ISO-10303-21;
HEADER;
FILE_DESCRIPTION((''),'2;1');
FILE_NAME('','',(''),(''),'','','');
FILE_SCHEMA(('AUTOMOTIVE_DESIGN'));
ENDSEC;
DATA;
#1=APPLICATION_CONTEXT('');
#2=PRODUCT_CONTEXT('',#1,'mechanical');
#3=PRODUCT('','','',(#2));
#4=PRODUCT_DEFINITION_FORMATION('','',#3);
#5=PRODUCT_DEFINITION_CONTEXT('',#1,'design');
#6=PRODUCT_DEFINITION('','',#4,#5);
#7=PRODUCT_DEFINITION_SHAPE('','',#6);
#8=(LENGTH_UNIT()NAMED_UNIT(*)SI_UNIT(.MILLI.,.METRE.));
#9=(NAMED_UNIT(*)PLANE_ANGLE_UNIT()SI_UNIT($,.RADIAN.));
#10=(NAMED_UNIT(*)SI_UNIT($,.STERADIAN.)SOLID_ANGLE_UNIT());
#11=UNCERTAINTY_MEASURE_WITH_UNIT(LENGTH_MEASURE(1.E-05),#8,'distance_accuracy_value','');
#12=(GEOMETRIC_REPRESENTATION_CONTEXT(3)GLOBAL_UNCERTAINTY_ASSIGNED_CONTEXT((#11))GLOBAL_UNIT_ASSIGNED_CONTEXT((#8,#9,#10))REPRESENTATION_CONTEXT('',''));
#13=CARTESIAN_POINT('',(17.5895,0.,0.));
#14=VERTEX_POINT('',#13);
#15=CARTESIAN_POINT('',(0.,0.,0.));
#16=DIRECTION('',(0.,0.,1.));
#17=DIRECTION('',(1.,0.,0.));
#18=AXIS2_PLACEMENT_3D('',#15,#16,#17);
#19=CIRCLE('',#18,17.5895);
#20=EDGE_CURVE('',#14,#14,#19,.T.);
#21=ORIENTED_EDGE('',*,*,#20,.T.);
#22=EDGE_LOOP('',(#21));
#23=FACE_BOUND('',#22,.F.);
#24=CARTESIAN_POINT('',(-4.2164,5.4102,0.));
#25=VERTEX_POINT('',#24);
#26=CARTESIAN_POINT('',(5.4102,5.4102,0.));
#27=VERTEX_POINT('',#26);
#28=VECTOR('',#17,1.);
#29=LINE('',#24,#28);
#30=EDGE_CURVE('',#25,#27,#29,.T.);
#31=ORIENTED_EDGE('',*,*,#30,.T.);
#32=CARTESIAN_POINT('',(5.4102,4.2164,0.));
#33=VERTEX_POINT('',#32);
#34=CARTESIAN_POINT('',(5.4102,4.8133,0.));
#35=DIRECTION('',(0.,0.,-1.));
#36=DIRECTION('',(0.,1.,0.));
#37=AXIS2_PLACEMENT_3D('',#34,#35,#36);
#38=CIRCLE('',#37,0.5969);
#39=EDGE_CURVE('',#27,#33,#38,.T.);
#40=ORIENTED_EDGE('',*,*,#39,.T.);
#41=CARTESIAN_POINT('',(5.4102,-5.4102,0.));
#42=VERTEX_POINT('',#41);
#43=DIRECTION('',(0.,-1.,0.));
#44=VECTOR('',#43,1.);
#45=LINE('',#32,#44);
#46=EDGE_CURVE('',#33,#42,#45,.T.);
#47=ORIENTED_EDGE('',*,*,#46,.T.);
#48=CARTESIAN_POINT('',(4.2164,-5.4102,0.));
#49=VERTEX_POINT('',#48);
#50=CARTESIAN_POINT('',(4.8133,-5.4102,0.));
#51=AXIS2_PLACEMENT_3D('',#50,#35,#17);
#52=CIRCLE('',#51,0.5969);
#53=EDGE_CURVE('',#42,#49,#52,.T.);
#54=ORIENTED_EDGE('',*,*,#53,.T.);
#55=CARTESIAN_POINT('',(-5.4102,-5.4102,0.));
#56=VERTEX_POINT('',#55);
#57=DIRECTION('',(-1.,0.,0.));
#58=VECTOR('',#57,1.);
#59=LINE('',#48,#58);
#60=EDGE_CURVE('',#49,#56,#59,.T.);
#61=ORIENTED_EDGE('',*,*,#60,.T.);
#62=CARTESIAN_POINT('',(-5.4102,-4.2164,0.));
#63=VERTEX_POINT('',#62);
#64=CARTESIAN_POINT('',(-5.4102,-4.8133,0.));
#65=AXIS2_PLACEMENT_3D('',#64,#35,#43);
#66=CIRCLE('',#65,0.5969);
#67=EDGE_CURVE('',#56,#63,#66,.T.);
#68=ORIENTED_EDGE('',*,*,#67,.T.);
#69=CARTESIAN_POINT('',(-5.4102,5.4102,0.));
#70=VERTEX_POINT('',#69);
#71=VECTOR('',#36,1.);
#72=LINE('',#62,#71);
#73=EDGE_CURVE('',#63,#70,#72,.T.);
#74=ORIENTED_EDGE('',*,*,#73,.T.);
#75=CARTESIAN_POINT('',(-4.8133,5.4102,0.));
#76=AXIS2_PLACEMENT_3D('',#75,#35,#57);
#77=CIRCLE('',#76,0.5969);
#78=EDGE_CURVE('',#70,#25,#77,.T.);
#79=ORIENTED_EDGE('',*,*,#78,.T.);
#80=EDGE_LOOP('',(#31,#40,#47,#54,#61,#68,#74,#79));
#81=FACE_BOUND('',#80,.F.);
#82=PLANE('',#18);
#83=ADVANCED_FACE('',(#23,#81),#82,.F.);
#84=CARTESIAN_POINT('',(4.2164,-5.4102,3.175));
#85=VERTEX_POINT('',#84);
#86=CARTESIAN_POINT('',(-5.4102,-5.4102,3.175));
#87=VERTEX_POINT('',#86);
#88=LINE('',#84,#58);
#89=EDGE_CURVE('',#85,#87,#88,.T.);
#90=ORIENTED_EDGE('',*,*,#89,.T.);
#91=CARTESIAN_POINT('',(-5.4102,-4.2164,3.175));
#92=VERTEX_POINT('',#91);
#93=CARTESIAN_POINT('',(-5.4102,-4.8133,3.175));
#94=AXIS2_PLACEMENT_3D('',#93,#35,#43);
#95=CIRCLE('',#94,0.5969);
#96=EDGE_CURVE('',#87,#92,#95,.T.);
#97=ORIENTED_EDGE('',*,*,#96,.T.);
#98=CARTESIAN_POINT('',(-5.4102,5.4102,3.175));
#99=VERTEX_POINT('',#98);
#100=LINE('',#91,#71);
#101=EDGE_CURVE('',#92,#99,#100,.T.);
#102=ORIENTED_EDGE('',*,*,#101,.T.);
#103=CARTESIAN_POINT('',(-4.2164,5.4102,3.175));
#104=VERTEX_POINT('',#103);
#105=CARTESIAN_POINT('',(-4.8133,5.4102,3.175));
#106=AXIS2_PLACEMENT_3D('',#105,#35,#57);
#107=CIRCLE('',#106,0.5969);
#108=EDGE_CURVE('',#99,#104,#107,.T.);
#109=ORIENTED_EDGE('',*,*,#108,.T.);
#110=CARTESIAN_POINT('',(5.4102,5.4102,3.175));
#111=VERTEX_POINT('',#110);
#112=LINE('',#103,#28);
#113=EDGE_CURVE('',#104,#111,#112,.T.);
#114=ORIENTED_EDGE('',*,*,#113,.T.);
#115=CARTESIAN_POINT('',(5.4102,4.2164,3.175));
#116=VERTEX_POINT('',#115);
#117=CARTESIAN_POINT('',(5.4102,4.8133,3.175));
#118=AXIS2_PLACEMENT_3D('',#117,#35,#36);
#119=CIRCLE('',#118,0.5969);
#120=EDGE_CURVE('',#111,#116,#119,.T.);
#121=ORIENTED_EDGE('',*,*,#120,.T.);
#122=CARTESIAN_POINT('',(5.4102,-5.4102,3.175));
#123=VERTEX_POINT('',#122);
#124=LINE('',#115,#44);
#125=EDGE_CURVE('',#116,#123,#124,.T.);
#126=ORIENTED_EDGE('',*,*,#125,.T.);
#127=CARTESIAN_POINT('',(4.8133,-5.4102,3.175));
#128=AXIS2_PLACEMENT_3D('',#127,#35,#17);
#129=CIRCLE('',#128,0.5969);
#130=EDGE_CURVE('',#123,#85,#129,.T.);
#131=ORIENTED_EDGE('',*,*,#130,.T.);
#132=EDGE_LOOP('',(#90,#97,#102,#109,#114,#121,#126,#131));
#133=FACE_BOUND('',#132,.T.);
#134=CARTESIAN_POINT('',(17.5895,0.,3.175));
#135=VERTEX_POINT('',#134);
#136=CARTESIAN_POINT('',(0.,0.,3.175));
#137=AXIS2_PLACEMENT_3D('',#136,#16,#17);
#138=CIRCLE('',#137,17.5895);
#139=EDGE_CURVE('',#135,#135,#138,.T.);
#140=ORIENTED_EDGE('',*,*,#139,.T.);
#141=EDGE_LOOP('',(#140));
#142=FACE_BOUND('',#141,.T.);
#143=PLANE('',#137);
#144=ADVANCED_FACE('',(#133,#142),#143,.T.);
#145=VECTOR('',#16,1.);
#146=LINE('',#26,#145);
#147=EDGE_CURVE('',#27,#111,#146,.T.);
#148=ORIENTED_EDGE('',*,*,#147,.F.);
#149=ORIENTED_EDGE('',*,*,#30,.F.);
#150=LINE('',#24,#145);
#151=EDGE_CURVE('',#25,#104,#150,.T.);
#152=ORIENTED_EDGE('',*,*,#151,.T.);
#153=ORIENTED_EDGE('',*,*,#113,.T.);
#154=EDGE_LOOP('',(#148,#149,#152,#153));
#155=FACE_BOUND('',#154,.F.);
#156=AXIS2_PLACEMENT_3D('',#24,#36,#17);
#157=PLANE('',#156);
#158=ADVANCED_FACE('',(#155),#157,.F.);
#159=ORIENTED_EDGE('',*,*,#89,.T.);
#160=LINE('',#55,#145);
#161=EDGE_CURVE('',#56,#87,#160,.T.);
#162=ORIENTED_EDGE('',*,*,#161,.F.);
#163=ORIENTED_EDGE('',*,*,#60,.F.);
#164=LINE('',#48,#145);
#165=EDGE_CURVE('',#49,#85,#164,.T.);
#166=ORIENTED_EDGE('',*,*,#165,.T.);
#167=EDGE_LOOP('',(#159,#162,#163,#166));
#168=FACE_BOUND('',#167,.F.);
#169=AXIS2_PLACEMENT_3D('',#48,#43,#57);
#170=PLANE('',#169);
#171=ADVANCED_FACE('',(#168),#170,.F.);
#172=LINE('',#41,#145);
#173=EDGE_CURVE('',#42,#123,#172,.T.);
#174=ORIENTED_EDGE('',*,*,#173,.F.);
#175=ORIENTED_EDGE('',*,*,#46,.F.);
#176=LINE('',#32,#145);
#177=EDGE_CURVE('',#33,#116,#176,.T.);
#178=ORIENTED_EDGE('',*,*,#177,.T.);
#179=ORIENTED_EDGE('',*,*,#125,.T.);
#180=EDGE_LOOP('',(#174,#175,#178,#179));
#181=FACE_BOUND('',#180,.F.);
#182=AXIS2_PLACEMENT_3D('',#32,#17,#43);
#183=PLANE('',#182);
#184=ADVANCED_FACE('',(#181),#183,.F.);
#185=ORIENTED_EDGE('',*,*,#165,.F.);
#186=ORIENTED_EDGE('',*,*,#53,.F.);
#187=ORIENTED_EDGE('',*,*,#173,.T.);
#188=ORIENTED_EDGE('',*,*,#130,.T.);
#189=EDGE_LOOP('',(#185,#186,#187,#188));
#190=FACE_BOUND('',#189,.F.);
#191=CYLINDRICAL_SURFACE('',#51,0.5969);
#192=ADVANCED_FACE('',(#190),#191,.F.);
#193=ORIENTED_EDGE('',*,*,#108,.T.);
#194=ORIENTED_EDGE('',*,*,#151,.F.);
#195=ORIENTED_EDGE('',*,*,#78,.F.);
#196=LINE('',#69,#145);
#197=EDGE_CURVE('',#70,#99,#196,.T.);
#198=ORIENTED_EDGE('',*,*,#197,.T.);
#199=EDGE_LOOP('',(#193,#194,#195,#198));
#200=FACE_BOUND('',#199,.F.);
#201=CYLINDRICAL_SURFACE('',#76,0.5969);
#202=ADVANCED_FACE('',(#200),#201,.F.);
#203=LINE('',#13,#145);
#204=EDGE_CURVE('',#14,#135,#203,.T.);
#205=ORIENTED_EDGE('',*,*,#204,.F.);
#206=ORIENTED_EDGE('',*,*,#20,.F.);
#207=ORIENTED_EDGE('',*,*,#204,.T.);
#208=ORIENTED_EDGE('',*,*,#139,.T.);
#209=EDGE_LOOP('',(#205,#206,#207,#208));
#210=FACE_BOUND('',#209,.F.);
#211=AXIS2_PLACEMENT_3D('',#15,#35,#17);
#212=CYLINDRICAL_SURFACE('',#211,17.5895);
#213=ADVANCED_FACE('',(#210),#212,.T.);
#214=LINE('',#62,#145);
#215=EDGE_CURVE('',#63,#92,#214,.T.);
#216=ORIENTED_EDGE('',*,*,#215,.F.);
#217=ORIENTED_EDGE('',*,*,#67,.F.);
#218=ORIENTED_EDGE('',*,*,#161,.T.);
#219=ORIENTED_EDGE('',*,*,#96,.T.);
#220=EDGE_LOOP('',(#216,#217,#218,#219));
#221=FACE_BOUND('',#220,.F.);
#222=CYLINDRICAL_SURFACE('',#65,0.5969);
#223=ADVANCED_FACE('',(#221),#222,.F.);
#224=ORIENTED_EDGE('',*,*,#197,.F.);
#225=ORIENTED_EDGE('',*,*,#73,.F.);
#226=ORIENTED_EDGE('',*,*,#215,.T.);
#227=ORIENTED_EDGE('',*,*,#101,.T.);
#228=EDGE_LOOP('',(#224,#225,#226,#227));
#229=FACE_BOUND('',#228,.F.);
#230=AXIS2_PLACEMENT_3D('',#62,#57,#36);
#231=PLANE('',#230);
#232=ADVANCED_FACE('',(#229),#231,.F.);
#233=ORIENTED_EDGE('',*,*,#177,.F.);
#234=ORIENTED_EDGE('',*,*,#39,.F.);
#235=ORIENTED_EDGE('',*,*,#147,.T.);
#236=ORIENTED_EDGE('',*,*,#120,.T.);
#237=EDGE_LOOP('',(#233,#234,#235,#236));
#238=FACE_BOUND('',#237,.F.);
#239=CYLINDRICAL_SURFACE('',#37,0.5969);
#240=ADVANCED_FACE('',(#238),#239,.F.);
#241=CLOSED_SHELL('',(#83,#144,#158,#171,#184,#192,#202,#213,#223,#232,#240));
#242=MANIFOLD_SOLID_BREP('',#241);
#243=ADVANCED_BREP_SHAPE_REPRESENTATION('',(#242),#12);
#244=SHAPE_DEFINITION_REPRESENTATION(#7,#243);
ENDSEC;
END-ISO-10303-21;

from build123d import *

# Parameters (mm, degrees)
F0_R     = 17.5895
F1_DEPTH = 3.175


with BuildPart() as f1:
    # F0 (on Top) → F1 (new body)
    with BuildSketch(Plane.XY):
        Circle(F0_R)
        with BuildLine():
            Line((-4.2164, 5.4102), (5.4102, 5.4102))
            ThreePointArc((5.4102, 5.4102), (6.0071, 4.8133), (5.4102, 4.2164))
            Line((5.4102, 4.2164), (5.4102, -5.4102))
            ThreePointArc((5.4102, -5.4102), (4.8133, -6.0071), (4.2164, -5.4102))
            Line((4.2164, -5.4102), (-5.4102, -5.4102))
            ThreePointArc((-5.4102, -5.4102), (-6.0071, -4.8133), (-5.4102, -4.2164))
            Line((-5.4102, -4.2164), (-5.4102, 5.4102))
            ThreePointArc((-5.4102, 5.4102), (-4.8133, 6.0071), (-4.2164, 5.4102))
        make_face(mode=Mode.SUBTRACT)
    extrude(amount=F1_DEPTH)


solid = f1.part
